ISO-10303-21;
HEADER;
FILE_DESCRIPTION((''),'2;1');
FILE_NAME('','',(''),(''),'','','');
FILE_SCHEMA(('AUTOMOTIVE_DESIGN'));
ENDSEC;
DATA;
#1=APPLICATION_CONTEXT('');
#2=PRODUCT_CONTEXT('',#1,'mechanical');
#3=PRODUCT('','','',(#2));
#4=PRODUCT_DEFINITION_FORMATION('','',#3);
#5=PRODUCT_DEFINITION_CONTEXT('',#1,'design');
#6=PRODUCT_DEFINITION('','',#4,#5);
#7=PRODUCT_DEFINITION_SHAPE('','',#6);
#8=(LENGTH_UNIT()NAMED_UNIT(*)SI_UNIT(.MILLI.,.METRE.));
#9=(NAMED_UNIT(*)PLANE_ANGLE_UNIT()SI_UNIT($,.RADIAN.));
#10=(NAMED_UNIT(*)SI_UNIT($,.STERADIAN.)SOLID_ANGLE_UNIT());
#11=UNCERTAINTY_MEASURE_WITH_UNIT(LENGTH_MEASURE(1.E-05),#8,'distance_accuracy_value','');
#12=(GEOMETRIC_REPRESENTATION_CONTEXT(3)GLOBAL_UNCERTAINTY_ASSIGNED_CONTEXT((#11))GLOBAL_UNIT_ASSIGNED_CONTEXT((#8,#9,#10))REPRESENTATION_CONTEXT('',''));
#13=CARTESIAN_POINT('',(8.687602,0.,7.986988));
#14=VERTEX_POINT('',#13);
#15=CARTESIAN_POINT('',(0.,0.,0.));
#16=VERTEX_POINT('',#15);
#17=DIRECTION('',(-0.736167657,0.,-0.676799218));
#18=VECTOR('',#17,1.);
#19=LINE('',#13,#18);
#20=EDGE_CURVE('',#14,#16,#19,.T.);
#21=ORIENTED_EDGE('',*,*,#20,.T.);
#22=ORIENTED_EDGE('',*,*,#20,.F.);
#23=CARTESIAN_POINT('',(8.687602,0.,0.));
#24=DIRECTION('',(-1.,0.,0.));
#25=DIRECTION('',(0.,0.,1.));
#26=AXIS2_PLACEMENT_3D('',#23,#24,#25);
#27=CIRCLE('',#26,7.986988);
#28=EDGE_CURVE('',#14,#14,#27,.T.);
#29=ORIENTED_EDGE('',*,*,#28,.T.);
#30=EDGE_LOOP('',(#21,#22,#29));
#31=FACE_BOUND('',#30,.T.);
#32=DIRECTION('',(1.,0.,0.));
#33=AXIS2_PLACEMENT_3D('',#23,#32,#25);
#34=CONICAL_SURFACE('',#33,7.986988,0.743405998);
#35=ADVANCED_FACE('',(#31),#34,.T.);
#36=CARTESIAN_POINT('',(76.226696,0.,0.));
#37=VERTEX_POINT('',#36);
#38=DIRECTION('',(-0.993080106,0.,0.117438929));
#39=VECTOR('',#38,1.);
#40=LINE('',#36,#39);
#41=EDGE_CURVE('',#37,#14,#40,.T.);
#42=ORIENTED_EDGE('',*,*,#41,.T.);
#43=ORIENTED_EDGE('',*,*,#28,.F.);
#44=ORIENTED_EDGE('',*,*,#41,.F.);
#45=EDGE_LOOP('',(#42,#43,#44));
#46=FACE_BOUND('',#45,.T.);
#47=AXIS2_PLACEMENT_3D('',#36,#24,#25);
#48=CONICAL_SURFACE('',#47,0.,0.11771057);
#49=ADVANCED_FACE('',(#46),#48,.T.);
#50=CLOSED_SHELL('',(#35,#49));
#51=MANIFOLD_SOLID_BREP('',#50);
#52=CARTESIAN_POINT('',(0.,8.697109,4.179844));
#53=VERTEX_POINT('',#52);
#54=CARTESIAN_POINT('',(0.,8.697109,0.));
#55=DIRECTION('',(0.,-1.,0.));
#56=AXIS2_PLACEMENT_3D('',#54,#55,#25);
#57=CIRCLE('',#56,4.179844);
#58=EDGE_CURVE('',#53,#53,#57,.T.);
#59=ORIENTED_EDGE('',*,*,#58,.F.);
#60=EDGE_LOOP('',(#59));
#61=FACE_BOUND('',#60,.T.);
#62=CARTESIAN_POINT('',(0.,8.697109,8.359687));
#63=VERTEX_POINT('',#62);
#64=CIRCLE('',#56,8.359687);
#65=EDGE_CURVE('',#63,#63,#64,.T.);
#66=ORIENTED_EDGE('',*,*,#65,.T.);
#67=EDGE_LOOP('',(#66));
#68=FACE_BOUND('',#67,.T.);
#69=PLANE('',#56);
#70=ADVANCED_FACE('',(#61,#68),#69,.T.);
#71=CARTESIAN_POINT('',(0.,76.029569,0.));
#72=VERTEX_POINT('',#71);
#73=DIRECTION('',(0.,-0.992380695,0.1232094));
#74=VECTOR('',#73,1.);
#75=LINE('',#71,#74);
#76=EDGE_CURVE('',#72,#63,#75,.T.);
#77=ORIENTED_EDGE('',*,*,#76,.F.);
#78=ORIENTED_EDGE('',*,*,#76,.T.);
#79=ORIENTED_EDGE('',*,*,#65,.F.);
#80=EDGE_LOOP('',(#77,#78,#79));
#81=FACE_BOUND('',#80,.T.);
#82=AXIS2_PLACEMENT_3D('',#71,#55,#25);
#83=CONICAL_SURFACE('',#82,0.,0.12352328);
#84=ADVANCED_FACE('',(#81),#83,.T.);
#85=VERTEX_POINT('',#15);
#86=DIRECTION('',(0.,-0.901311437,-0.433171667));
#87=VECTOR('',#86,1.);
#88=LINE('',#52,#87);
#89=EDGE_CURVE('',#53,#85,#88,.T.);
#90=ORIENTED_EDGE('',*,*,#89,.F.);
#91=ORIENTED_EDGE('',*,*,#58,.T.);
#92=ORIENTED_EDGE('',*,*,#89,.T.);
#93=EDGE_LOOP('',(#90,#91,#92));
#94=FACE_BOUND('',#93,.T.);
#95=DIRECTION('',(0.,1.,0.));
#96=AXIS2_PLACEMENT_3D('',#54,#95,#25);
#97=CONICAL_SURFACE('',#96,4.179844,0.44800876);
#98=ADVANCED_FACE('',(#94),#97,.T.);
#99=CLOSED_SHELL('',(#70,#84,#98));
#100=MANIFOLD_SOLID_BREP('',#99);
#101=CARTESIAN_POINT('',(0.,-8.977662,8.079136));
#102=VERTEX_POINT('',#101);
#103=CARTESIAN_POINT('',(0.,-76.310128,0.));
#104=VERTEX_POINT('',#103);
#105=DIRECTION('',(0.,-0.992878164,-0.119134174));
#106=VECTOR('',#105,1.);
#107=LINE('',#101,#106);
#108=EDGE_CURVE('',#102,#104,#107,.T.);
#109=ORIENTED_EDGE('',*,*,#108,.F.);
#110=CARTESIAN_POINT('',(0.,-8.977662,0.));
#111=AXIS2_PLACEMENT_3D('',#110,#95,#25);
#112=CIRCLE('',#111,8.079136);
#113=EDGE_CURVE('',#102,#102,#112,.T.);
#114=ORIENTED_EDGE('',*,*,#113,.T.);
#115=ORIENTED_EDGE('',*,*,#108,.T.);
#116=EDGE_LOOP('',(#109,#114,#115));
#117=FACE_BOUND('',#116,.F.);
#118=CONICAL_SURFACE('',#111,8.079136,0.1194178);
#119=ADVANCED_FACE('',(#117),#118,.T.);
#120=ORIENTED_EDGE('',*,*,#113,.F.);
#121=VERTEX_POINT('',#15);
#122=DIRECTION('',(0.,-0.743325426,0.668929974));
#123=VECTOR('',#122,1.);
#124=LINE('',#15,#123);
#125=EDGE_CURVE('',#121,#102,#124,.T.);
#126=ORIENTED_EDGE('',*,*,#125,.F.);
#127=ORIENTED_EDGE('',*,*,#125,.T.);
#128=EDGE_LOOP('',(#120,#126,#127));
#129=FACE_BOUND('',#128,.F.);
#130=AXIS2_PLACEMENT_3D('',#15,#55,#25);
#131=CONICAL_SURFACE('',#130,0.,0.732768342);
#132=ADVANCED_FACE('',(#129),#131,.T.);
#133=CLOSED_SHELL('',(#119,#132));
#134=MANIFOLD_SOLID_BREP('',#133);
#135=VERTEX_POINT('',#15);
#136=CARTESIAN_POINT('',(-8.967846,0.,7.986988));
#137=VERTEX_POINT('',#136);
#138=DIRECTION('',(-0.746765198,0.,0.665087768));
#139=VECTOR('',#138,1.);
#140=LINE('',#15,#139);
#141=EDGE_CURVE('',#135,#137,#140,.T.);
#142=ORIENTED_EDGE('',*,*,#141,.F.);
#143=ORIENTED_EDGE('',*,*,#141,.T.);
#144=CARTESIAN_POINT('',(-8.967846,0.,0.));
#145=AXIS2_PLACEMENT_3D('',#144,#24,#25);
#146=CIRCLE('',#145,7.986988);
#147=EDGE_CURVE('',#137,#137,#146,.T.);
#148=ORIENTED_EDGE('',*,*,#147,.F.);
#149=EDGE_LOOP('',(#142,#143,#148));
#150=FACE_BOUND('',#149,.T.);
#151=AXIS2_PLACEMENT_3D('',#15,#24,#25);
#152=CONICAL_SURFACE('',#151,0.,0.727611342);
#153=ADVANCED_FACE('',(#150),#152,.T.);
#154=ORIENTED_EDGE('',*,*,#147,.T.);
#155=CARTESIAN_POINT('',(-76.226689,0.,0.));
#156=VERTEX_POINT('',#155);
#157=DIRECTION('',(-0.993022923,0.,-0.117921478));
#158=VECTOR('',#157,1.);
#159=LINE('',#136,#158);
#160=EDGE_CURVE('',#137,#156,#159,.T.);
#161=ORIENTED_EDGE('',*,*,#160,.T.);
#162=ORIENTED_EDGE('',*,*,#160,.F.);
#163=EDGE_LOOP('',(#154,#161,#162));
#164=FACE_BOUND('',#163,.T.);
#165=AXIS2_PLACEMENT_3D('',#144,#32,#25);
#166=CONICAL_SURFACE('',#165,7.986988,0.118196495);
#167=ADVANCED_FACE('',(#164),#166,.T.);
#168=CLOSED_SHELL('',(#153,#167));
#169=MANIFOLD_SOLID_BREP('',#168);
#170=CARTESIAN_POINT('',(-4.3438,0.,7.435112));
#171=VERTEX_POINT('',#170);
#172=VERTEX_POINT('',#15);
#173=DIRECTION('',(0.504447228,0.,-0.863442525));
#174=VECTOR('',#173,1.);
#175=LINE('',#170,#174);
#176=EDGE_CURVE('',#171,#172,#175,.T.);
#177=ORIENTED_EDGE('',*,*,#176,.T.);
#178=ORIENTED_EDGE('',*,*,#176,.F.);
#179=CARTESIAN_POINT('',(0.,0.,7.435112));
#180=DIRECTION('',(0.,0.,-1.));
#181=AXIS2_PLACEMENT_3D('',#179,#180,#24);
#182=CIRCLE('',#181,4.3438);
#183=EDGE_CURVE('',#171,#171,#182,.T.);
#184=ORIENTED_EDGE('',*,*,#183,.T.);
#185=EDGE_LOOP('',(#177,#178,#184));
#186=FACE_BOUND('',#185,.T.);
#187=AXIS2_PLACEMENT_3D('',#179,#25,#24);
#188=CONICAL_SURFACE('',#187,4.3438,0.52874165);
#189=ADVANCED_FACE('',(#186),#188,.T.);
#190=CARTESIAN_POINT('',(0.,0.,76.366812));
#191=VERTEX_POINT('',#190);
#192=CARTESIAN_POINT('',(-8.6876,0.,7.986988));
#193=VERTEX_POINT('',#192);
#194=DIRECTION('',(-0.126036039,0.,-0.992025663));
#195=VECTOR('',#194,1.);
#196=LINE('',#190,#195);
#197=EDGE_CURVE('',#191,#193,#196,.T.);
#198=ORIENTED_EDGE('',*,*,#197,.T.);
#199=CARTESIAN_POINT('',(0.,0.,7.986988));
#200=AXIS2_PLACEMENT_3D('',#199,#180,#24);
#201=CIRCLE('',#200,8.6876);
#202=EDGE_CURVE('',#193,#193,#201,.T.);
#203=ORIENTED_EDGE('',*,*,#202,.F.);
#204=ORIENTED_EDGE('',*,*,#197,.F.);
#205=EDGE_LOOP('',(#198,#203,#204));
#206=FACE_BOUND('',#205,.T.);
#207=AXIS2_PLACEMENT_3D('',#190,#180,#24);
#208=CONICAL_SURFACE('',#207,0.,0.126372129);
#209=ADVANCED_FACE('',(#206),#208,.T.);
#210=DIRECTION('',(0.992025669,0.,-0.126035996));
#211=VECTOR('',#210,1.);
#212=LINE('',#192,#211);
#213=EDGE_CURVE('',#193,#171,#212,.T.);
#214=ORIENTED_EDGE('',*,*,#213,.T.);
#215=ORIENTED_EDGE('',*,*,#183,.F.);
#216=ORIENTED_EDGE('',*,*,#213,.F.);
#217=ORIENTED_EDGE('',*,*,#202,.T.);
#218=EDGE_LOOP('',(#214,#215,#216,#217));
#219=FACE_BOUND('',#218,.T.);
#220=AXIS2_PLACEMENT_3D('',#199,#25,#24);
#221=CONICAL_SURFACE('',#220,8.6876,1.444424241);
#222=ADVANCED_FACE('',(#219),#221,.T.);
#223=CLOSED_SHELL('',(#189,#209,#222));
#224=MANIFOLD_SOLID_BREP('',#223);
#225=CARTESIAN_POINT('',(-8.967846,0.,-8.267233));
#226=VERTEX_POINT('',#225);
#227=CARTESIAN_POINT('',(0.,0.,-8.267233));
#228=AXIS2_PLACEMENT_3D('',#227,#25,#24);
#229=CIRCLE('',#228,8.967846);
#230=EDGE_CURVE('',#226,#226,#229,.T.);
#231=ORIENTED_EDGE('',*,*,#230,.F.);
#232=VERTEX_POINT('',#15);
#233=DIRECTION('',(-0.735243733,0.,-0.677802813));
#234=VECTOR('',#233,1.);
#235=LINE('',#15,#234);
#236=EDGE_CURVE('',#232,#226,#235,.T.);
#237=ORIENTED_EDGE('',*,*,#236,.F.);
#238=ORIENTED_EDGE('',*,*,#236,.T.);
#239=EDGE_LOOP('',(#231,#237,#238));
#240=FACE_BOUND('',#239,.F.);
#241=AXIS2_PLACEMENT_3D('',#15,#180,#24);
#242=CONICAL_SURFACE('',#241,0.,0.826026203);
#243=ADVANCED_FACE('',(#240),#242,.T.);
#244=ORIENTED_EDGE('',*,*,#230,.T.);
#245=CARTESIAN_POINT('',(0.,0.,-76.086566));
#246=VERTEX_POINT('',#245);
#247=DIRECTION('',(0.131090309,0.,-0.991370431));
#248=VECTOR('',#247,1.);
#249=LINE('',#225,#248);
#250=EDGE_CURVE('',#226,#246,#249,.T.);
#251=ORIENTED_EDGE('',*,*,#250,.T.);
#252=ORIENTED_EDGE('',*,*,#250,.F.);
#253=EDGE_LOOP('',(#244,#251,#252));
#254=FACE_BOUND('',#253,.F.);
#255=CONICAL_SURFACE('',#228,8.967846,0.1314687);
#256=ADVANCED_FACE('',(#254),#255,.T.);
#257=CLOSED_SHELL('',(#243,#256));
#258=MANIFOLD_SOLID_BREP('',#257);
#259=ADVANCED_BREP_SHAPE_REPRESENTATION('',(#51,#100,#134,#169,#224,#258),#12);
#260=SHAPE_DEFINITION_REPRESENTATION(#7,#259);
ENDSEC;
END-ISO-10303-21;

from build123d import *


with BuildPart() as f1:
    # F0 (on Front) → F1 (revolve)
    with BuildSketch(Plane.XZ):
        Polygon((0, 76.366812), (-8.6876, 7.986988), (-4.3438, 7.435112), (0, 0), align=None)
    revolve(axis=Axis((0, 0, 38.183406), (0, 0, -1)))


with BuildPart() as f3:
    # F2 (on Front) → F3 (revolve)
    with BuildSketch(Plane.XZ):
        Polygon((-76.226689, 0), (0, 0), (-8.967846, 7.986988), align=None)
    revolve(axis=Axis((-38.113344, 0, 0), (-1, 0, 0)))


with BuildPart() as f5:
    # F4 (on Front) → F5 (revolve)
    with BuildSketch(Plane.XZ):
        Polygon((0, -76.086566), (0, 0), (-8.967846, -8.267233), align=None)
    revolve(axis=Axis((0, 0, -38.043283), (0, 0, 1)))


with BuildPart() as f7:
    # F6 (on Front) → F7 (revolve)
    with BuildSketch(Plane.XZ):
        Polygon((76.226696, 0), (8.687602, 7.986988), (0, 0), align=None)
    revolve(axis=Axis((38.113348, 0, 0), (-1, 0, 0)))


with BuildPart() as f9:
    # F8 (on Right) → F9 (revolve)
    with BuildSketch(Plane.YZ):
        Polygon((-76.310128, 0), (0, 0), (-8.977662, 8.079136), align=None)
    revolve(axis=Axis((0, -38.155064, 0), (0, 1, 0)))


with BuildPart() as f11:
    # F10 (on Right) → F11 (revolve)
    with BuildSketch(Plane.YZ):
        Polygon((76.029569, 0), (8.697109, 8.359687), (8.697109, 4.179844), (0, 0), align=None)
    revolve(axis=Axis((0, 38.014784, 0), (0, -1, 0)))


solid = Compound([f1.part, f3.part, f5.part, f7.part, f9.part, f11.part])
